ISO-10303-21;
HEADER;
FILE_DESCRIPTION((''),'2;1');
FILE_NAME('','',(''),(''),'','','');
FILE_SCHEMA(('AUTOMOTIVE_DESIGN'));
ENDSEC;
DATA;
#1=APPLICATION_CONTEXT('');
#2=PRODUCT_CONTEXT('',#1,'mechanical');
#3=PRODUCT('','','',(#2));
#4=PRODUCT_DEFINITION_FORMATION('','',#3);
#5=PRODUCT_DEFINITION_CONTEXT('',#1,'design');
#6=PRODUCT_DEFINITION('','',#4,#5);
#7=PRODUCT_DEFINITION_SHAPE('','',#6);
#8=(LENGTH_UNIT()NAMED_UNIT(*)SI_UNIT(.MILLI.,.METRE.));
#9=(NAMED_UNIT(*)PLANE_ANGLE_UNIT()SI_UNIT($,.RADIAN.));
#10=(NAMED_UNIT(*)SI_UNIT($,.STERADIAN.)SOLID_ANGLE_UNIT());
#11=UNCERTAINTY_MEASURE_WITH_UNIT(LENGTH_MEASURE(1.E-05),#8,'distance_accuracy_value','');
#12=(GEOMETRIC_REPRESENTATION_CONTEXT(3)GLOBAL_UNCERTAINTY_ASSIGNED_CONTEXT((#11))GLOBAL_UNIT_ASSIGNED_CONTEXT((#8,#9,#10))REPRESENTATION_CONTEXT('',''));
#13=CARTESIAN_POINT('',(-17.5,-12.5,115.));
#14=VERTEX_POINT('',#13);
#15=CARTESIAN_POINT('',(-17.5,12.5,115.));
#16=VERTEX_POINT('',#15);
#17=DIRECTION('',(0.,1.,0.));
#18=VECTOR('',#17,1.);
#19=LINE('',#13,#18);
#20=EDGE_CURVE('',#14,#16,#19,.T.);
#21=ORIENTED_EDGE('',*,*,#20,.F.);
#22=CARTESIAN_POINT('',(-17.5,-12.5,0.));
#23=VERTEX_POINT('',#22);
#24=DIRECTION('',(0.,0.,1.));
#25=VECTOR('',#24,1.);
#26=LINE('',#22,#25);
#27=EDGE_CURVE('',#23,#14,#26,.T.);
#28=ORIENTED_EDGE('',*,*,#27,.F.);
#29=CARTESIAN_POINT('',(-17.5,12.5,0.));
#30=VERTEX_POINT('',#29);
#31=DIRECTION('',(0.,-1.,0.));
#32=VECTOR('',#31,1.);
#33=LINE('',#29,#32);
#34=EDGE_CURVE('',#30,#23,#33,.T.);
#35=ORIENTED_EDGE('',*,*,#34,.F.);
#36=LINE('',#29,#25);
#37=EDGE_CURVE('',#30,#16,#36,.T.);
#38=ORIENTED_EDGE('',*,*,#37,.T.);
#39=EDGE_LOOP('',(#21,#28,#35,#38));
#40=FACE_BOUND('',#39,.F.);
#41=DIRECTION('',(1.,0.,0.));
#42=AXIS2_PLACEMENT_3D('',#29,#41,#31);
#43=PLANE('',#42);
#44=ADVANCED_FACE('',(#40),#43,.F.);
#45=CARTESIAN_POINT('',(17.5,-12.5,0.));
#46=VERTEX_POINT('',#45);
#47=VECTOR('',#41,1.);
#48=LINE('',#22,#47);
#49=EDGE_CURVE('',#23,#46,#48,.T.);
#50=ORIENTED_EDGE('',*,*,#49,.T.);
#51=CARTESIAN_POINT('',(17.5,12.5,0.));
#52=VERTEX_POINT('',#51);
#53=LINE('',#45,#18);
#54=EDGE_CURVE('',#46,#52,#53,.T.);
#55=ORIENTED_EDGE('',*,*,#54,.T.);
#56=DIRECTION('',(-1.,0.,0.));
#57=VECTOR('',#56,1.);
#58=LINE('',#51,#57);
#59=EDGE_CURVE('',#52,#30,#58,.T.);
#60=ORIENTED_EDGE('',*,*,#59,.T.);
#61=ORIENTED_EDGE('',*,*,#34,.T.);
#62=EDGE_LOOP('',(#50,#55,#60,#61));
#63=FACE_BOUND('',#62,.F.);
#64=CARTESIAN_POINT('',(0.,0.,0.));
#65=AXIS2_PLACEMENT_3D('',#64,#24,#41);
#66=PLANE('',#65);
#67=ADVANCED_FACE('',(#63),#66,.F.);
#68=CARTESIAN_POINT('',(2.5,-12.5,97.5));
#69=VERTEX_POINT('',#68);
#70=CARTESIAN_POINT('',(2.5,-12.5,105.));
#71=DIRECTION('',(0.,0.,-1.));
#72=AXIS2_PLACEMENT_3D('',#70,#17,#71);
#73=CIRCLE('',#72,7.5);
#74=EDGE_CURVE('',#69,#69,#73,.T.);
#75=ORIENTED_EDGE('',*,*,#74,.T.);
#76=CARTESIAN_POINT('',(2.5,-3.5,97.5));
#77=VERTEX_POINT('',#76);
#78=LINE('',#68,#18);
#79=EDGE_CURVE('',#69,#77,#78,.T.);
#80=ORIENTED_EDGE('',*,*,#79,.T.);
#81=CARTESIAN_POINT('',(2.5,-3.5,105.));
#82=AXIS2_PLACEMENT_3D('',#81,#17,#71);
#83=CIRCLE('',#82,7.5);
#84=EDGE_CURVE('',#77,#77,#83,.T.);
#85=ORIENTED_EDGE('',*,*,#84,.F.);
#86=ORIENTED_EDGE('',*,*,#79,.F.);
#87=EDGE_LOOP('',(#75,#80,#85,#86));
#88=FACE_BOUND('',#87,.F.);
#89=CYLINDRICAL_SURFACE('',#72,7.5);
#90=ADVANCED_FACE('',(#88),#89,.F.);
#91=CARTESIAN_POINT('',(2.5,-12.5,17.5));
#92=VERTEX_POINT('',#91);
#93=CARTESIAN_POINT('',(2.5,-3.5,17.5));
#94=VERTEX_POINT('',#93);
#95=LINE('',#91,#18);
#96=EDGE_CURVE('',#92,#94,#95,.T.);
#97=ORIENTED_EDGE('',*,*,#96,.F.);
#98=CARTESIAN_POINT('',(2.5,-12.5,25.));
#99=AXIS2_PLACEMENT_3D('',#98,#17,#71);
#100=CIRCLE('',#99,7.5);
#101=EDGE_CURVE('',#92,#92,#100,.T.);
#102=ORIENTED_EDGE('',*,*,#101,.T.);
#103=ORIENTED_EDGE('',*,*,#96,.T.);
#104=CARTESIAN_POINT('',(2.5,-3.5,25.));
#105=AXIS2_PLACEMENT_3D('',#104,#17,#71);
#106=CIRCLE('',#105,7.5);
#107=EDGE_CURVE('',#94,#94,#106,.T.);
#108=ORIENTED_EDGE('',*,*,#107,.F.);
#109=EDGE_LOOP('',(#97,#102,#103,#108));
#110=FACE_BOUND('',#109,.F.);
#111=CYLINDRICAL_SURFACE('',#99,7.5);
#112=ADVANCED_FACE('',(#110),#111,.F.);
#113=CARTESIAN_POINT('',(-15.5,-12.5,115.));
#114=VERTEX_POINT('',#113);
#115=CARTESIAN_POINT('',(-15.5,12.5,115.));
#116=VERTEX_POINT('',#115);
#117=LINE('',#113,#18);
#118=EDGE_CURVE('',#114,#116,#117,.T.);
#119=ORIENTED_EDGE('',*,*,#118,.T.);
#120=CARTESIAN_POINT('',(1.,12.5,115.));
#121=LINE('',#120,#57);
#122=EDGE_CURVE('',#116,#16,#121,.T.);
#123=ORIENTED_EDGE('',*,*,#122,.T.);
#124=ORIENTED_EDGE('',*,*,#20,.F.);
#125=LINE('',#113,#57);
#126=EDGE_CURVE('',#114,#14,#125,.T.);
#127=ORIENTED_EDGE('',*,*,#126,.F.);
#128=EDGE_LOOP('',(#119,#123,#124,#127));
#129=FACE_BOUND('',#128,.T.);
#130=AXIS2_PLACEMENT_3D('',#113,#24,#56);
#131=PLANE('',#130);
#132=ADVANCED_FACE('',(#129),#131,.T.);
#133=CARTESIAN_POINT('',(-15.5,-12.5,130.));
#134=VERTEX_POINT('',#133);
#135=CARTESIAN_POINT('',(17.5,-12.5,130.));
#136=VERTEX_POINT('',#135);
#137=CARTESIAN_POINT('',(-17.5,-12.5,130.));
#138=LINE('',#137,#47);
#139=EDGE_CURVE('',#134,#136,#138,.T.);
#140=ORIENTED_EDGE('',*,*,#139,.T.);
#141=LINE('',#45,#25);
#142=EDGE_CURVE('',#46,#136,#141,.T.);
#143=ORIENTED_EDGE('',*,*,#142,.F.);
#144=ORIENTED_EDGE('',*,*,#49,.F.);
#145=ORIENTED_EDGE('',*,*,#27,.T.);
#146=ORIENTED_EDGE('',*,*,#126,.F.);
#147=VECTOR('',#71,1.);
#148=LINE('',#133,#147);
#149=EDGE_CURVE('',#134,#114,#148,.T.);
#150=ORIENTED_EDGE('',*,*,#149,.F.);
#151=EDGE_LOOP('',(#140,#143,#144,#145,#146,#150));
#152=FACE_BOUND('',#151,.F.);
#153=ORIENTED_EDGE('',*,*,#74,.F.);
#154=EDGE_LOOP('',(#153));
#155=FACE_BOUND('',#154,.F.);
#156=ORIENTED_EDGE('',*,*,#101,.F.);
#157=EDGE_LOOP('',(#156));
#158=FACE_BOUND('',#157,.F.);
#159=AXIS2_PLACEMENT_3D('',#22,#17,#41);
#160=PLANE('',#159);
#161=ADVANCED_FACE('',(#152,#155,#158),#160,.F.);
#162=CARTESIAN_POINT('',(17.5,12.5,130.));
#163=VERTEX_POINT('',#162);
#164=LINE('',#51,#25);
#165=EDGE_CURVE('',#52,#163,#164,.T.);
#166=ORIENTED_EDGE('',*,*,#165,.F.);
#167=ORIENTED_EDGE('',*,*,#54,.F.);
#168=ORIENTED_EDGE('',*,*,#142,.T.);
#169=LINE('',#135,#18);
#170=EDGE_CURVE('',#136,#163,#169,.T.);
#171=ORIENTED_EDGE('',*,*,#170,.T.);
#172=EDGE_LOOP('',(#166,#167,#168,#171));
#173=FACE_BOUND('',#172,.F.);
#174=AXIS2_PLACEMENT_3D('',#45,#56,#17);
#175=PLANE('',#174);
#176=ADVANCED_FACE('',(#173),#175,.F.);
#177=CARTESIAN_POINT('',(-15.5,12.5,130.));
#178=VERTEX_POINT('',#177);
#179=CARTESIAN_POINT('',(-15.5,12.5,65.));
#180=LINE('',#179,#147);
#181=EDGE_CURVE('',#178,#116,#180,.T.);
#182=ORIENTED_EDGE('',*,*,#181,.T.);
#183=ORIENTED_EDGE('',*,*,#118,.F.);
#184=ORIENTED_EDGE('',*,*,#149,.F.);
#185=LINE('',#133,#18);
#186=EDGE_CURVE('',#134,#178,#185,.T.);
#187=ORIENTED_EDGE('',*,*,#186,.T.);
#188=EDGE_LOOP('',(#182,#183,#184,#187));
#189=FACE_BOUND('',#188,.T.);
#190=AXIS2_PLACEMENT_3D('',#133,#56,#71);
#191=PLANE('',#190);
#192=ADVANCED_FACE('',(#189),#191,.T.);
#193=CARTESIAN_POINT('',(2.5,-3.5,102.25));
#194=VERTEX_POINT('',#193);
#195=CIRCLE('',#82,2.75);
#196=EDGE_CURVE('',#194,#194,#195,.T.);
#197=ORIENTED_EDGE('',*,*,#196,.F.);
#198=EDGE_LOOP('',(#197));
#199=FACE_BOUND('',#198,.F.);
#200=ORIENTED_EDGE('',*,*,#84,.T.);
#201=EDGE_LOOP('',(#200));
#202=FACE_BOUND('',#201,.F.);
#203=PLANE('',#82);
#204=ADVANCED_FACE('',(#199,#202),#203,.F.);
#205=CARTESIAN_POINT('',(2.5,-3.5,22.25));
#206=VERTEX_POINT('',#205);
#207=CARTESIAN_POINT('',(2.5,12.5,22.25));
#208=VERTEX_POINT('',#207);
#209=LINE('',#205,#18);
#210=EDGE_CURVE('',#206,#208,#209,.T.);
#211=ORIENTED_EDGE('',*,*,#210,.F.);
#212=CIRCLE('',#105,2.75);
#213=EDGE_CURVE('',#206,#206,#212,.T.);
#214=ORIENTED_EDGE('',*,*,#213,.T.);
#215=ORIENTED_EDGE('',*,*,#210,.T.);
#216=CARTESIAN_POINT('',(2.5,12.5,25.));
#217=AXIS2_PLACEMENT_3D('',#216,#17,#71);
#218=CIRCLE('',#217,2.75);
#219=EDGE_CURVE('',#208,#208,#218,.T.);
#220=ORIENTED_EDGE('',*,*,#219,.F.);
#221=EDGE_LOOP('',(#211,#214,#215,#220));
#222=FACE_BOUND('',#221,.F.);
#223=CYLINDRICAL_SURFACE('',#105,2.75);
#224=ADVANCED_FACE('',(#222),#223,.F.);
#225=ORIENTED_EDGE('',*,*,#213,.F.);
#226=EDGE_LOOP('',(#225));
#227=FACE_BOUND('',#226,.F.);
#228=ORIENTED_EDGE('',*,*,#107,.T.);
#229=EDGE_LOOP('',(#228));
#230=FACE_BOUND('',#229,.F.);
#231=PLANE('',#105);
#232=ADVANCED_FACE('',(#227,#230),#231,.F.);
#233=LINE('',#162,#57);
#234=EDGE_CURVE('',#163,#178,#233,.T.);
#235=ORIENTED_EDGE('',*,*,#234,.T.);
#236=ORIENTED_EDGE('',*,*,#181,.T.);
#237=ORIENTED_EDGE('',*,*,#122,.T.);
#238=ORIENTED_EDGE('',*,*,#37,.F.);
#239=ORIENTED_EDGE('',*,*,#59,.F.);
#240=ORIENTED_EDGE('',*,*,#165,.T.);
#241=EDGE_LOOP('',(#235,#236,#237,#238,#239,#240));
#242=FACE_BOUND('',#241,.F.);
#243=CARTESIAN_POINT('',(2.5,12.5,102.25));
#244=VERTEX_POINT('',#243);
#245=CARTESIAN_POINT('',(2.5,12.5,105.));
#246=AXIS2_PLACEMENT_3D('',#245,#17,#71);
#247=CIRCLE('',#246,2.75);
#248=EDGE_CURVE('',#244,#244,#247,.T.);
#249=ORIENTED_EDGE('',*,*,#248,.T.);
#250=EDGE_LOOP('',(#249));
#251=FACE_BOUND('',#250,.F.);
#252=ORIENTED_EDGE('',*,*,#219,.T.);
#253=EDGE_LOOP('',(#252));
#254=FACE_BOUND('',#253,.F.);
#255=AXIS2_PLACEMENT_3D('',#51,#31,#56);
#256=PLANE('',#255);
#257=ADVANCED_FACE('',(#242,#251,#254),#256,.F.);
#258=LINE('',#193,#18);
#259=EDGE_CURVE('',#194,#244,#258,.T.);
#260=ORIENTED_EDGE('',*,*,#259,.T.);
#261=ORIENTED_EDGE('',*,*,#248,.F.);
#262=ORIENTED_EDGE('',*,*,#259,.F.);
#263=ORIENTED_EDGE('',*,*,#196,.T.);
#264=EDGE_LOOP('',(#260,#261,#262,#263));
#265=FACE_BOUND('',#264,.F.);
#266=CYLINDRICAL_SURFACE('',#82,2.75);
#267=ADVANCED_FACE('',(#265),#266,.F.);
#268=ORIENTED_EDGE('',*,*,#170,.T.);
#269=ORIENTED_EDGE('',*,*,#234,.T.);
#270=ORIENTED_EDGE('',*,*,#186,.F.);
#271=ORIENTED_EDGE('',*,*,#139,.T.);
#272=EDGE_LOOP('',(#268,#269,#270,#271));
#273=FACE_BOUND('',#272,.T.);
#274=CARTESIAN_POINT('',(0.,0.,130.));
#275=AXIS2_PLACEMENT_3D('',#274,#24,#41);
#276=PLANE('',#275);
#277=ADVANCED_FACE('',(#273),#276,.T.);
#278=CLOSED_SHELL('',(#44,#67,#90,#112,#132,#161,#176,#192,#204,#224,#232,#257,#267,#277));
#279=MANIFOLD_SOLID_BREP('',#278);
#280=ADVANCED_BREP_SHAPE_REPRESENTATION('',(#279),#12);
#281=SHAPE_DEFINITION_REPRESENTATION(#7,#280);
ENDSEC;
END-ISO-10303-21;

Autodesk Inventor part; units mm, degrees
ref_plane "YZ Plane" through (0, 0, 0) normal (1, 0, 0) x (0, 1, 0)
ref_plane "XZ Plane" through (0, 0, 0) normal (0, 1, 0) x (-1, 0, 0)
ref_plane "XY Plane" through (0, 0, 0) normal (0, 0, 1) x (1, 0, 0)
sketch "Sketch1" plane through (0, 0, 0) normal (0, 0, 1) x (1, 0, 0)
  line L0 (-17.5, -12.5) -> (17.5, -12.5)
  line L1 (17.5, -12.5) -> (17.5, 12.5)
  line L2 (17.5, 12.5) -> (-17.5, 12.5)
  line L3 (-17.5, 12.5) -> (-17.5, -12.5)
  line L4 (-17.5, -12.5) -> (17.5, 12.5) construction
  line L5 (17.5, -12.5) -> (-17.5, 12.5) construction
  point P0 (0, 0)
  dimension "d0" = 35
  dimension "d1" = 25
extrude "Extrusion1" add sketch "Sketch1" along normal blind 130
sketch "Sketch2" plane through (-17.5, -12.5, 0) normal (0, -1, 0) x (1, 0, 0)
  line L0 (2, 115) -> (0, 115)
  line L1 (0, 115) -> (0, 130)
  line L2 (0, 130) -> (2, 130)
  line L3 (2, 130) -> (2, 115)
  line L4 (0, 0) -> (0, 130) projected
  line L5 (0, 130) -> (35, 130) projected
  point P0 (17.5, 0)
  dimension "d4" = 2
  dimension "d5" = 15
extrude "Extrusion2" cut sketch "Sketch2" against normal through all
sketch "Sketch3" plane through (-17.5, -12.5, 0) normal (0, -1, 0) x (1, 0, 0)
  line L0 (2, 130) -> (35, 130) projected
  line L1 (35, 0) -> (35, 130) projected
  line L2 (0, 0) -> (35, 0) projected
  point P0 (17.5, 0)
  point P1 (20, 105)
  point P2 (20, 25)
  dimension "d8" = 25
  dimension "d9" = 15
  dimension "d10" = 25
hole "Hole1" at (2.5, -12.5, 105) at (2.5, -12.5, 25) direction (0, 1, 0) diameter 5.5 end through all counterbore diameter 15 counterbore depth 9 clearance for "Socket Head Cap Screw ISO 4762" size "M5" standard "ISO"
equation "\"d10\" = d8"
properties part number "Distanzblock_rechts" material "Aluminum 6061"
